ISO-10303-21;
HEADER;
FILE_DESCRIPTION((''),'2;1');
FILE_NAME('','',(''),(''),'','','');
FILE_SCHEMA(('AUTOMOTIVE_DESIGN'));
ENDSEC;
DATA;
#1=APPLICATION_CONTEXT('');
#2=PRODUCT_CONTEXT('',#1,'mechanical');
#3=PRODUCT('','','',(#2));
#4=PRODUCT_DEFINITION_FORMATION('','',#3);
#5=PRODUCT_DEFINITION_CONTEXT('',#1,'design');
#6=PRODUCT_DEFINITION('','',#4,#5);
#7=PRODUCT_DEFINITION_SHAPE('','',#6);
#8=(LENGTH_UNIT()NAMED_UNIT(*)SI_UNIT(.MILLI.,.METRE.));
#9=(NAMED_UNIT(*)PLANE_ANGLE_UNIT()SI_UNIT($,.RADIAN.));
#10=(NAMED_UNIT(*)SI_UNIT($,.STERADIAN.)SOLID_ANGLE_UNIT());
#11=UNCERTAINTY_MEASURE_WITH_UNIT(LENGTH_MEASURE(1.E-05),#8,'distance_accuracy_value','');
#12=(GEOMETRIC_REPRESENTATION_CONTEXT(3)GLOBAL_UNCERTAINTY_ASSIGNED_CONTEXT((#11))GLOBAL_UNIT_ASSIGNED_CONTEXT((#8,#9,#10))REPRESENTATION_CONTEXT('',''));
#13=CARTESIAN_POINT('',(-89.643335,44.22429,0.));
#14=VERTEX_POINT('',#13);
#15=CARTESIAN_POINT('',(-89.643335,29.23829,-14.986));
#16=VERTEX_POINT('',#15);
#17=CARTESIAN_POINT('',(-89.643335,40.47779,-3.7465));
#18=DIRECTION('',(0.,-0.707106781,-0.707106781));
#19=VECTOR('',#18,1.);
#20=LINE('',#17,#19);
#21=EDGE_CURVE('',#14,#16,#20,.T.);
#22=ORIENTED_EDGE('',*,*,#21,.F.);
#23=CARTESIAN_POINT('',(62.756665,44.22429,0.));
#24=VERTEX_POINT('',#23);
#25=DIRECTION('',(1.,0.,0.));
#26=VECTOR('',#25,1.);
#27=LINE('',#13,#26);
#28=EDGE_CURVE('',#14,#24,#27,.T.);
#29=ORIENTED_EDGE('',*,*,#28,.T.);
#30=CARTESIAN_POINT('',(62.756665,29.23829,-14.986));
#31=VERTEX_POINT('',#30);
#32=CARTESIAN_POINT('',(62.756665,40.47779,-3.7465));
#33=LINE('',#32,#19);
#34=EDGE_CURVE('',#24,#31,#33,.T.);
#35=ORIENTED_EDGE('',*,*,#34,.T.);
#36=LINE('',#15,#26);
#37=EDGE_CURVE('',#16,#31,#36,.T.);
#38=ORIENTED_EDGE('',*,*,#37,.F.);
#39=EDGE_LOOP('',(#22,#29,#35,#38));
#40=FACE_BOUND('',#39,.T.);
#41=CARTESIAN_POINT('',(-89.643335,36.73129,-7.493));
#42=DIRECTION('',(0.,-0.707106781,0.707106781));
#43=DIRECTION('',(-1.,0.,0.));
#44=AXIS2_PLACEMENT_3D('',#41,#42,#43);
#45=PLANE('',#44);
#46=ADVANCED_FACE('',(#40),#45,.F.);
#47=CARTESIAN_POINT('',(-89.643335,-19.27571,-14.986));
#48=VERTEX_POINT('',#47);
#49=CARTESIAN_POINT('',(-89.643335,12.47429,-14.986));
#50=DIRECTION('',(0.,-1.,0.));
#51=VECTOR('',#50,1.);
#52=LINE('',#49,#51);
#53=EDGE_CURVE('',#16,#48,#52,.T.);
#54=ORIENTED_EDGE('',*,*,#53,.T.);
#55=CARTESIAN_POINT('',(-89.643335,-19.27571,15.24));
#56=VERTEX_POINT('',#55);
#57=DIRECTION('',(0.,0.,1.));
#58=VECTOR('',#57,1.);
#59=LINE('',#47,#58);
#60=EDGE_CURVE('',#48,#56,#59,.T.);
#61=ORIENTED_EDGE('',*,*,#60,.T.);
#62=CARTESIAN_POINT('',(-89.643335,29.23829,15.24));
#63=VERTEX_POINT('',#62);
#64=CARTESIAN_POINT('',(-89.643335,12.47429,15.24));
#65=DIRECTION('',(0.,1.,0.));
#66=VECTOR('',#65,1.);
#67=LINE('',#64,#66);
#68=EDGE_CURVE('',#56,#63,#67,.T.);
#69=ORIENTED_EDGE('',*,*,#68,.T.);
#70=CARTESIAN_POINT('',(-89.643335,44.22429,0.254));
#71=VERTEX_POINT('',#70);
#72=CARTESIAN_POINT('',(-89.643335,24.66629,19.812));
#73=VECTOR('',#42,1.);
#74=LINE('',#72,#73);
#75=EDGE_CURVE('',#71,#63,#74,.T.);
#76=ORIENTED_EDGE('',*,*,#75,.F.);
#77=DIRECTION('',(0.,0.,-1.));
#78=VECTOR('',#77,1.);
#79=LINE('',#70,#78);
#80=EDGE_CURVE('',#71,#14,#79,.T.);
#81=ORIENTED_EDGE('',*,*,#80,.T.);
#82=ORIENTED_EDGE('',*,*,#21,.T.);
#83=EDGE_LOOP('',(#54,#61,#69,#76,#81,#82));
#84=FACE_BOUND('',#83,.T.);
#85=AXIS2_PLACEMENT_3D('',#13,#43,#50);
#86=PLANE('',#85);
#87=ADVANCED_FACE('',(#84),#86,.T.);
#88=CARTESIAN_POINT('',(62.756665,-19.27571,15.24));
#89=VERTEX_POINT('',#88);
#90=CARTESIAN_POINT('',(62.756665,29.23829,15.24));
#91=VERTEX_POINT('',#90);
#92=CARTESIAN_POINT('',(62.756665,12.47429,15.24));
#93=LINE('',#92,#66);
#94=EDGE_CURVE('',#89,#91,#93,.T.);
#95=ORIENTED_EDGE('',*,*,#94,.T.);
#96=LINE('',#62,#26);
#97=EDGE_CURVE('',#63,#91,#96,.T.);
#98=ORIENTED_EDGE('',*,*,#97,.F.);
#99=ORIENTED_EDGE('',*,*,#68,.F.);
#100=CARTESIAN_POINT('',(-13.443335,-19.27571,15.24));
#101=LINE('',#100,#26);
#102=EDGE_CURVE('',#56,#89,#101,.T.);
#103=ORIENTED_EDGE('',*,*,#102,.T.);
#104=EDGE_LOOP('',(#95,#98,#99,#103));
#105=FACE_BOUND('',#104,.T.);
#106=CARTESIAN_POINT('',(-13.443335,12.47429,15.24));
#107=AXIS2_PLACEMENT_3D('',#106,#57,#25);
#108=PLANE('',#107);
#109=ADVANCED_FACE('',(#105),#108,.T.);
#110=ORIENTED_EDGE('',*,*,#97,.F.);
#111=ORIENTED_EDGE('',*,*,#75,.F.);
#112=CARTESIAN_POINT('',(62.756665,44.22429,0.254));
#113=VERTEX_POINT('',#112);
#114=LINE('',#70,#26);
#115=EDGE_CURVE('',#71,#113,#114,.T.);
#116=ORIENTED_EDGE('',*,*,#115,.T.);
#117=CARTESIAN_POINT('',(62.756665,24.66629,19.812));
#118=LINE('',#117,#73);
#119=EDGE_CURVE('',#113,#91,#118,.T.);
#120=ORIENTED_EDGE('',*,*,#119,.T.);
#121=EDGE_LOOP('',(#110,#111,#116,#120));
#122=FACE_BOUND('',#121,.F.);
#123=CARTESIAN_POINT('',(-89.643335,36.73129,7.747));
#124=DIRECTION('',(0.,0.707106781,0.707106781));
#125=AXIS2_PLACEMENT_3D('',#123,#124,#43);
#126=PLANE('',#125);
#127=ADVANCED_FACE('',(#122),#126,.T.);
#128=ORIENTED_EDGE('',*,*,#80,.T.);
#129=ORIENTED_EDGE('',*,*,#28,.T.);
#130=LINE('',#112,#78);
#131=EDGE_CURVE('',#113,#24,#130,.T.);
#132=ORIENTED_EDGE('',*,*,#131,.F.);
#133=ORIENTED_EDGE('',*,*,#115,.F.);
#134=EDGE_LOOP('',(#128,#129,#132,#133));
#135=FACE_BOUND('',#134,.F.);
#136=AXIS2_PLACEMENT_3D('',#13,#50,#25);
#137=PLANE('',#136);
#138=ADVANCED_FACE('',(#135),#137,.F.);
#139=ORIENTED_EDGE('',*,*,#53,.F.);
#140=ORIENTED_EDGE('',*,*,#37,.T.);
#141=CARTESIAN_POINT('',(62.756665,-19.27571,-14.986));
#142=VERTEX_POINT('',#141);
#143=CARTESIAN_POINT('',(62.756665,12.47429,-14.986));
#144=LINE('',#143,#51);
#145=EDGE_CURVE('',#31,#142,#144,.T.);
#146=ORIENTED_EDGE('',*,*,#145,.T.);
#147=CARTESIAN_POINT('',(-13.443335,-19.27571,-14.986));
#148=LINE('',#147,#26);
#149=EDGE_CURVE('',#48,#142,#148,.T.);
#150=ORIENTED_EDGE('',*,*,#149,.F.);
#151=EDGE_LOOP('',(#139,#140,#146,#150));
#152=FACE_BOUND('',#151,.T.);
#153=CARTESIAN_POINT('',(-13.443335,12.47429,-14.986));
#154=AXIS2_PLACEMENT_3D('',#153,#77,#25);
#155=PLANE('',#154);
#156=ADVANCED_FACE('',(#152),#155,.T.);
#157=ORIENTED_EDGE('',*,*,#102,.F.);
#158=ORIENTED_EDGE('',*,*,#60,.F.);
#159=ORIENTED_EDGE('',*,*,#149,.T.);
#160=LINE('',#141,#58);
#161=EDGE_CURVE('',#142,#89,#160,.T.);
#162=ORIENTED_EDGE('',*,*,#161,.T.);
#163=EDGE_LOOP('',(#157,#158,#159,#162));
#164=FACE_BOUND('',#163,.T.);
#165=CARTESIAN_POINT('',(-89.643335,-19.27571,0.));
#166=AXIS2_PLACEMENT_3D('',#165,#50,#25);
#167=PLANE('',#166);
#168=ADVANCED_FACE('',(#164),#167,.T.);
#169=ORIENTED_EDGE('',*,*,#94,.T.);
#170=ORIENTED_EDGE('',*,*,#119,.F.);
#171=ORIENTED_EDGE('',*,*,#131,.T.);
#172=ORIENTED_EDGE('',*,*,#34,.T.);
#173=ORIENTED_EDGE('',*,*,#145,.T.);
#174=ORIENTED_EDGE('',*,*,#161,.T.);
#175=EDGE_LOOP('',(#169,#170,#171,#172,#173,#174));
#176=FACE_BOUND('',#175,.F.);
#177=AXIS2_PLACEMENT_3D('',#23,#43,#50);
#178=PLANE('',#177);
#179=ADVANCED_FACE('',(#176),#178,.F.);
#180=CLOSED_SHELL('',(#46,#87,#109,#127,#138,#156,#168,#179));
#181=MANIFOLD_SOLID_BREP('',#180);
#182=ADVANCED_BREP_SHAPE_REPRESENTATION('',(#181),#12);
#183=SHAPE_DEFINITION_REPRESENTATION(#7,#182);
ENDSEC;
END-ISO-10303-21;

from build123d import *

# Parameters (mm, degrees)
F0_W      = 152.4
F0_H      = 63.5
F1_DEPTH  = 15.24
F2_SIZE   = 14.986
F1_FACE_W = 152.4
F1_FACE_H = 63.5
F3_DEPTH  = 14.986
F4_SIZE   = 14.986


with BuildPart() as f1:
    # F0 (on Top) → F1 (new body)
    with BuildSketch(Plane.XY):
        with Locations((-13.443335, 12.47429)):
            Rectangle(F0_W, F0_H)
    extrude(amount=F1_DEPTH)

    # F2
    f2_edges = [f1.edges().sort_by_distance(p)[0] for p in [
        (-13.443335, 44.22429, 15.24),
    ]]
    chamfer(f2_edges, length=F2_SIZE)

    # F1_face (on face) → F3 (join)
    with BuildSketch(Plane(origin=(-13.443335, 12.47429, 0), x_dir=(1, 0, 0), z_dir=(0, 0, -1))):
        Rectangle(F1_FACE_W, F1_FACE_H)
    extrude(amount=F3_DEPTH)

    # F4
    f4_edges = [f1.edges().sort_by_distance(p)[0] for p in [
        (-13.443335, 44.22429, -14.986),
    ]]
    chamfer(f4_edges, length=F4_SIZE)


solid = f1.part
